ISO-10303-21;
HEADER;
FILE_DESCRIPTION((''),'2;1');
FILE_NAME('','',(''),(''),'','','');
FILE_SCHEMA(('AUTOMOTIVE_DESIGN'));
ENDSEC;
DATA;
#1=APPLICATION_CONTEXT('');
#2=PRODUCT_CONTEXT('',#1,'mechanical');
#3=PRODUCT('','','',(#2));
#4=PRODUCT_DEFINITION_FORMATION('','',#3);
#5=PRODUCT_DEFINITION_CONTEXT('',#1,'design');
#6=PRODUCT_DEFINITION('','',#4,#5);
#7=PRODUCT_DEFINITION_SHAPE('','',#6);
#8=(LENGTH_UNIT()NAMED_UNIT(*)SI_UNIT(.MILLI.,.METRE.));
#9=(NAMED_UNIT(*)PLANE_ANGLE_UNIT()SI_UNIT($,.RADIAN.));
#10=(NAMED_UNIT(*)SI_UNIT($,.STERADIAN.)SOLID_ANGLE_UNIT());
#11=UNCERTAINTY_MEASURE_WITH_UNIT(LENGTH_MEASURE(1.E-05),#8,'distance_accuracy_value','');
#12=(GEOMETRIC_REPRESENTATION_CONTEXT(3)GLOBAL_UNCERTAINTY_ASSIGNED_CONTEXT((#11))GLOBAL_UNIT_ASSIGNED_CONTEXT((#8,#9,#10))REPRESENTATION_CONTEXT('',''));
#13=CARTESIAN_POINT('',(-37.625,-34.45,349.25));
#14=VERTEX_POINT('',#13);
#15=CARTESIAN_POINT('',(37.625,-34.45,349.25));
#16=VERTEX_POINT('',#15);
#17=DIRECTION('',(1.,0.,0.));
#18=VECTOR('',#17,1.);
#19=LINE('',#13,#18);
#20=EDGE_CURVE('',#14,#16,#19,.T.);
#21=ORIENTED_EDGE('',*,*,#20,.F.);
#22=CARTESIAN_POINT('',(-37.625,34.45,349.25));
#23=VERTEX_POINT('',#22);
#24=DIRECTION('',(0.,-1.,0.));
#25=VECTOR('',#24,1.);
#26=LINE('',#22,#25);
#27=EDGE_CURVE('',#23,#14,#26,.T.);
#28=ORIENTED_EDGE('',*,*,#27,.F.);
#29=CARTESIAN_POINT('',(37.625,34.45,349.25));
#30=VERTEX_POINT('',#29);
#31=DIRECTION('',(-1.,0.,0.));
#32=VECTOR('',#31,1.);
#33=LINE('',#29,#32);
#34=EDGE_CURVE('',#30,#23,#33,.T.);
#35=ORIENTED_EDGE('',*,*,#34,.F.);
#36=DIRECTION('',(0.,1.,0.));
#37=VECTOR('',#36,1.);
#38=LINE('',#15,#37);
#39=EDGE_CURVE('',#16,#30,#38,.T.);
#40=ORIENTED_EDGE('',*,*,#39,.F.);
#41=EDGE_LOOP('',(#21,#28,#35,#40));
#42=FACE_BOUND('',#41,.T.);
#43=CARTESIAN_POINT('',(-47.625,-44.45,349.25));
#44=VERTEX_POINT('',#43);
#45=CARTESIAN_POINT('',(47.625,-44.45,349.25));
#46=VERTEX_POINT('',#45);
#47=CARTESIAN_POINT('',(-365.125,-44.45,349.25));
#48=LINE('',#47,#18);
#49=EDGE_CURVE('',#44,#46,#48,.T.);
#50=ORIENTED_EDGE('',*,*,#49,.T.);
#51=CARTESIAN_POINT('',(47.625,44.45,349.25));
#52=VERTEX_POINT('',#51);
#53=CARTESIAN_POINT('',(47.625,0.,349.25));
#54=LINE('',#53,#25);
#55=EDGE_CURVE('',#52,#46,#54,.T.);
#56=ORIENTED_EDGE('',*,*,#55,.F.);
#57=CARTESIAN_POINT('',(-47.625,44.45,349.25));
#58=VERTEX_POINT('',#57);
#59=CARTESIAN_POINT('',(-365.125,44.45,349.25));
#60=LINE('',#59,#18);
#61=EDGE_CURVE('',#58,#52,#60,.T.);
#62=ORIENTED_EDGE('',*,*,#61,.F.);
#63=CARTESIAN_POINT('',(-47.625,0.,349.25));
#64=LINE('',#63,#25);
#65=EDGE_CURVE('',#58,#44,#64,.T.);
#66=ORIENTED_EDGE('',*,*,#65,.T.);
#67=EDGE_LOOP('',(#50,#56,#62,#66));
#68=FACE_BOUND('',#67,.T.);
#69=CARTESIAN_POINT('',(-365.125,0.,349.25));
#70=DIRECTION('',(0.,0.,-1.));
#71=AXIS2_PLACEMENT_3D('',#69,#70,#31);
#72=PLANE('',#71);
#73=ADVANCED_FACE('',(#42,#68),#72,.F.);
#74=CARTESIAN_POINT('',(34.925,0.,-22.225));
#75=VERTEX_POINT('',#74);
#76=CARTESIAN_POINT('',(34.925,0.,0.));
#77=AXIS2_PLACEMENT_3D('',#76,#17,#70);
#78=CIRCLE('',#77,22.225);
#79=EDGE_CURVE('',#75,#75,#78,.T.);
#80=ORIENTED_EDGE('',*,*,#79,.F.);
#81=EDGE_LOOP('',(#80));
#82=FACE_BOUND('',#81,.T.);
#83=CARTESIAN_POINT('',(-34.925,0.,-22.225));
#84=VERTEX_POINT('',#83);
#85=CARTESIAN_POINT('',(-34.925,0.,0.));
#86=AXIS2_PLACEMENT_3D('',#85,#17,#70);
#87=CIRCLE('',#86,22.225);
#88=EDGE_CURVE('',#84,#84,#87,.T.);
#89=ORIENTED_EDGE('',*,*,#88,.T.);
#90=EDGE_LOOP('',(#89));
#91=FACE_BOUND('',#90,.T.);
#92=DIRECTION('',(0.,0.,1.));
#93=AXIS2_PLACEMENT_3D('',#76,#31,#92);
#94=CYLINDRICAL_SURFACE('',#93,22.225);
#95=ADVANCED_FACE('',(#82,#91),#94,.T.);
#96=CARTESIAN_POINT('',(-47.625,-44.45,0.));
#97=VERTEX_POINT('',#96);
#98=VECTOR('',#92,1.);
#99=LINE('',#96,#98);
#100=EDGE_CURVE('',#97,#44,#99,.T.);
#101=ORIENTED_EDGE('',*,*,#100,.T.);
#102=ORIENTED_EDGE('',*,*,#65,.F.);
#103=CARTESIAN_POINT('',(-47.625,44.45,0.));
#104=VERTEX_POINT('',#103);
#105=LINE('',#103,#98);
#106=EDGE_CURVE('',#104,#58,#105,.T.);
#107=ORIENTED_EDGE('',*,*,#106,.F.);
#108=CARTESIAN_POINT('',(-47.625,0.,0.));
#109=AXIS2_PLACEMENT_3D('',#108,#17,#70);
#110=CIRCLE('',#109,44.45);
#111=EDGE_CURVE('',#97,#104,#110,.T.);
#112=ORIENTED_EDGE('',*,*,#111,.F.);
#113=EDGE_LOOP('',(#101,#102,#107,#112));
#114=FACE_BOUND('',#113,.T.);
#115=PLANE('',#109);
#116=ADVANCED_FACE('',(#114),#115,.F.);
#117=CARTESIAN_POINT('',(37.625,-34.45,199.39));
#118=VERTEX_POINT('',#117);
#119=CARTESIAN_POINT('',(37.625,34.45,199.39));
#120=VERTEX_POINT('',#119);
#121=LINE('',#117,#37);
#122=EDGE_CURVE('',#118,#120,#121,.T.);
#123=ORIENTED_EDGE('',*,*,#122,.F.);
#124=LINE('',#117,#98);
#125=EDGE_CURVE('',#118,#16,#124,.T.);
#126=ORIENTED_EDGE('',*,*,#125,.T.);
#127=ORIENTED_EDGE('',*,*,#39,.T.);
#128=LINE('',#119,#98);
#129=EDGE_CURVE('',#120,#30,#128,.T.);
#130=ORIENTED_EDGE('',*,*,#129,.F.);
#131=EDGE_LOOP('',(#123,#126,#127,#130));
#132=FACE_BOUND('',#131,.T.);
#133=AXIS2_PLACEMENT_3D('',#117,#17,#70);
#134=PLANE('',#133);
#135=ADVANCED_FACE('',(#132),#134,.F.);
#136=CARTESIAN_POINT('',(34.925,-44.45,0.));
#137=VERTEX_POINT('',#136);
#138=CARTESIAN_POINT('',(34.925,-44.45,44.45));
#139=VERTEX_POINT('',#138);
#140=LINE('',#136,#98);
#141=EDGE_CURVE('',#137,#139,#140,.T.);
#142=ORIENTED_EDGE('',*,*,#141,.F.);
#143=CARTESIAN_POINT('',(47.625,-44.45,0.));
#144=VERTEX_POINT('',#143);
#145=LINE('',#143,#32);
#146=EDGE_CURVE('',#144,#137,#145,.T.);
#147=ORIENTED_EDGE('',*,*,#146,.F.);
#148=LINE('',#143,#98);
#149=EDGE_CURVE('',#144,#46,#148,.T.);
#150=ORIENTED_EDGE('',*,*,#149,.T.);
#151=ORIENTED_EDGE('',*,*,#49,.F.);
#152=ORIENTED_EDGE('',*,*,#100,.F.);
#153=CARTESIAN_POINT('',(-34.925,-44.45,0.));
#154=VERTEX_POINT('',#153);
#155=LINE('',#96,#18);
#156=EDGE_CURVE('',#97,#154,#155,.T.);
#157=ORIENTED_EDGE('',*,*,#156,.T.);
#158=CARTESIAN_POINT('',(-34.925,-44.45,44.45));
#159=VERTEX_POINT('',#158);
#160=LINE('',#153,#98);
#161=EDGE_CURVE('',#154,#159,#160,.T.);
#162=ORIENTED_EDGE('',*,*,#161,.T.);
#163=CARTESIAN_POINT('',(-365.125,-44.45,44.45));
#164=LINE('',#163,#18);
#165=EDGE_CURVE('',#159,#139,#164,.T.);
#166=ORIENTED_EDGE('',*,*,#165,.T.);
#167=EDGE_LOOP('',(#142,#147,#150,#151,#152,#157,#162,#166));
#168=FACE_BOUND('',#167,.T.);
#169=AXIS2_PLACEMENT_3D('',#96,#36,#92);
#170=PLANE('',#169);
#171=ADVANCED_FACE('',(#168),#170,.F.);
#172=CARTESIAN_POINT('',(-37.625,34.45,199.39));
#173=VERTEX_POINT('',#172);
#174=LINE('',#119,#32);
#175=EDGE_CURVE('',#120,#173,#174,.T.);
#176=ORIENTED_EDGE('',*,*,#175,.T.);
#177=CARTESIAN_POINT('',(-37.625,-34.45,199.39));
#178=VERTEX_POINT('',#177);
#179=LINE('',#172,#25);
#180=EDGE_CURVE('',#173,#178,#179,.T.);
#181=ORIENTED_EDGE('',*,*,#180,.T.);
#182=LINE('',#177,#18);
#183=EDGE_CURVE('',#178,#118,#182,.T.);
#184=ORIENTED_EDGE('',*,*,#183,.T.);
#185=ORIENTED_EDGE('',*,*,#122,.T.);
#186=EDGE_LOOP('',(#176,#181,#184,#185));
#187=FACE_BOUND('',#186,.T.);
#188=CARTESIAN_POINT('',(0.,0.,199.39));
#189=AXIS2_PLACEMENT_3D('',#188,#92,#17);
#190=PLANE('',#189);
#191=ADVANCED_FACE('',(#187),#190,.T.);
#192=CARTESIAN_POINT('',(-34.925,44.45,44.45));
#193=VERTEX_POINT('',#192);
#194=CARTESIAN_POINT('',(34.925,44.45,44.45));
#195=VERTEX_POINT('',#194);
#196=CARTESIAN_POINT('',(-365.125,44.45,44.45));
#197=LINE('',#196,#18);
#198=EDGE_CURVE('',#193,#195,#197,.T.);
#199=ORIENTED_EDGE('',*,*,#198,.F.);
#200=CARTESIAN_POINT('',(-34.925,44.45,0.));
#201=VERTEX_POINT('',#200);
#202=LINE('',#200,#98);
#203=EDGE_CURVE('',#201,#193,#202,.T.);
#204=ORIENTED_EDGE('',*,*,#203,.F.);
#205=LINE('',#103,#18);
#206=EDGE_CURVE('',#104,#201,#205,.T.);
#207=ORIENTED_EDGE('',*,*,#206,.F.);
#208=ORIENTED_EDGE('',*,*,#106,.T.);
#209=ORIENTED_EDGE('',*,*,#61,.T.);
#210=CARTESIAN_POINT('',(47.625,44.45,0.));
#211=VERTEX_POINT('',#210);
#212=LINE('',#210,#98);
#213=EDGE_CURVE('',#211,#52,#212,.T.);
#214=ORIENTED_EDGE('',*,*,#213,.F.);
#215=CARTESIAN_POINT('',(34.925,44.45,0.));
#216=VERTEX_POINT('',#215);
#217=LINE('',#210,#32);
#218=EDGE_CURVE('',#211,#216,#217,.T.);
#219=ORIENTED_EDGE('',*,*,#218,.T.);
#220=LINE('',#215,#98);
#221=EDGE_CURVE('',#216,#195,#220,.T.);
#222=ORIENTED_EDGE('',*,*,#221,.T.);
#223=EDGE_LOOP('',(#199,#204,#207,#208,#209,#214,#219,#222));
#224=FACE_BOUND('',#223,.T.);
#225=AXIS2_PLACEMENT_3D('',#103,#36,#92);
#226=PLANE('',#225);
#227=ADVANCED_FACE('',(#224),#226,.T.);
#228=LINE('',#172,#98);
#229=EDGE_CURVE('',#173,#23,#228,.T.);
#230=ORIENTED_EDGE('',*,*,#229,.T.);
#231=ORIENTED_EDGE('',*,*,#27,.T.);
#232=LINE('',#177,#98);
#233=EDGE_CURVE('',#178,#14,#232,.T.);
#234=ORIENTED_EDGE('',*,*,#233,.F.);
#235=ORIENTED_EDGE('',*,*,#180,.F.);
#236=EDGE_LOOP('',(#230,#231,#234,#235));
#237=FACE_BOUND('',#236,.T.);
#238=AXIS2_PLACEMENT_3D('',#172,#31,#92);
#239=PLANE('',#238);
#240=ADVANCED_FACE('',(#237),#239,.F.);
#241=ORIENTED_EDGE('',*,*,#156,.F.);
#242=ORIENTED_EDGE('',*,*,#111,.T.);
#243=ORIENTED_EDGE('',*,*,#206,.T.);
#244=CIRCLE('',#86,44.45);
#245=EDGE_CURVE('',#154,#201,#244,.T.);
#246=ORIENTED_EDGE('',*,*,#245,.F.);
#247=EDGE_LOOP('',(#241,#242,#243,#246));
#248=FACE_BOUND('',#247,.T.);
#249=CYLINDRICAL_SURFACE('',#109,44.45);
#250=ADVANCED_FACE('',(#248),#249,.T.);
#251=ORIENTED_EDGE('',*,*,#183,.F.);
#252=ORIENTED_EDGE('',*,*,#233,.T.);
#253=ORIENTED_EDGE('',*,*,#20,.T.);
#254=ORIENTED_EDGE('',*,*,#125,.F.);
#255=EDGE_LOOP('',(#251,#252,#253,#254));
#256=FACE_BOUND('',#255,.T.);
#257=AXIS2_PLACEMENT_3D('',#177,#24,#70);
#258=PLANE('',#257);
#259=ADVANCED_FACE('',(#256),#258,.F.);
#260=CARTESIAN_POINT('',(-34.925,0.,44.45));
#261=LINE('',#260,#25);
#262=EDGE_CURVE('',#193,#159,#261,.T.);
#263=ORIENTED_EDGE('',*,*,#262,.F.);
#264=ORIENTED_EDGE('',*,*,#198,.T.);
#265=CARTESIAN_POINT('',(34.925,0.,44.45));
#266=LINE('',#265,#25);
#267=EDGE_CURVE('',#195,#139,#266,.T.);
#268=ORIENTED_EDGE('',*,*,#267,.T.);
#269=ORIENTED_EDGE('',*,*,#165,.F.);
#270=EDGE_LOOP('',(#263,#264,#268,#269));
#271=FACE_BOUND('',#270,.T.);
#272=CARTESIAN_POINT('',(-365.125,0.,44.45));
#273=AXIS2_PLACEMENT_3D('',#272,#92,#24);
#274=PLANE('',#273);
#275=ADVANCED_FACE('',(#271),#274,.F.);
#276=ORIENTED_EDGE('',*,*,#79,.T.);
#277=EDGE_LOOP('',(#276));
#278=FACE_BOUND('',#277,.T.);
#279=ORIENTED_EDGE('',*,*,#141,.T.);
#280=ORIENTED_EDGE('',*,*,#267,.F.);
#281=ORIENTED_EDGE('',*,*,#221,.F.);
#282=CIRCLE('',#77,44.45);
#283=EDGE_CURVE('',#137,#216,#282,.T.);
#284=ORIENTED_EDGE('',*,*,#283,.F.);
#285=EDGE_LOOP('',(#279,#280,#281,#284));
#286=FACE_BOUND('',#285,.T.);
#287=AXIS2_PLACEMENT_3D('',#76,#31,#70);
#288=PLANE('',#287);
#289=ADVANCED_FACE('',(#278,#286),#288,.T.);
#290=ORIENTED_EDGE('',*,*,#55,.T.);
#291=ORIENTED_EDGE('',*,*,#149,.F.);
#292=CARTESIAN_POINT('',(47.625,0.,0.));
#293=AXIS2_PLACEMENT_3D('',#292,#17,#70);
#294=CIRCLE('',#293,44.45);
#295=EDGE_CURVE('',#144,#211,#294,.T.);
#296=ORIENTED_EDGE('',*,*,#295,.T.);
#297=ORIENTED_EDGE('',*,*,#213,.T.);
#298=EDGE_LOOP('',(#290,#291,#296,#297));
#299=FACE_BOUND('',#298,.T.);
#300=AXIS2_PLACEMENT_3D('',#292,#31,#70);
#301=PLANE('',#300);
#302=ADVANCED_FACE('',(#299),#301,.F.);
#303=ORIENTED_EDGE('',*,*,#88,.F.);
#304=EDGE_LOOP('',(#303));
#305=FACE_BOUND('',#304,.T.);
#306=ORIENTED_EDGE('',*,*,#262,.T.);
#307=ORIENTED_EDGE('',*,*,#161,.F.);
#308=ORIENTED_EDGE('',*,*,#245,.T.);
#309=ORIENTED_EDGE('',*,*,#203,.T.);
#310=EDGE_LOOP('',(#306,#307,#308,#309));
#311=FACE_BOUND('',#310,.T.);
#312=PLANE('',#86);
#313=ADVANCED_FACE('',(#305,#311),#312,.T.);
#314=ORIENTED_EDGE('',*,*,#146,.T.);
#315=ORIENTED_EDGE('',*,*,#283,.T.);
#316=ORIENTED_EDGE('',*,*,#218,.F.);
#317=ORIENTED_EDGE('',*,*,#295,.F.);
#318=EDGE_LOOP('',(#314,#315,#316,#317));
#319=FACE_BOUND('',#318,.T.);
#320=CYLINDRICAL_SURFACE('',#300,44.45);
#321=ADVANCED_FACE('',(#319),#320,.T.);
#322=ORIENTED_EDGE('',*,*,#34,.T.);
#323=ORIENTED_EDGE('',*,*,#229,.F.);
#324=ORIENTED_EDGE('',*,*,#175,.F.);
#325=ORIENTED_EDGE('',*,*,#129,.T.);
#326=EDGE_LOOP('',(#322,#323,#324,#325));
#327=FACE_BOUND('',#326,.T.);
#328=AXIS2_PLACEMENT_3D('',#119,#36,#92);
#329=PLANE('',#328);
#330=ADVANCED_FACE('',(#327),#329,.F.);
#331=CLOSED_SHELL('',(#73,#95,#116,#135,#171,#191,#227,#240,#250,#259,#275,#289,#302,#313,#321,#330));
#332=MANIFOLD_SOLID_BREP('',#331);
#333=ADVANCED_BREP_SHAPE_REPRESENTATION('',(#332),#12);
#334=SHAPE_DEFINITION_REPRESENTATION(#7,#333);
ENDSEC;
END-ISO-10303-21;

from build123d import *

# Parameters (mm, degrees)
SKETCH1_R           = 22.225
BOSS_EXTRUDE1_DEPTH = 34.925
BOSS_EXTRUDE2_START = -34.925
BOSS_EXTRUDE2_DEPTH = 12.7
SKETCH2_3_W         = 304.8
SKETCH2_3_H         = 88.9
BOSS_EXTRUDE3_DEPTH = 47.625
SKETCH3_W           = 75.25
SKETCH3_H           = 68.9
CUT_EXTRUDE1_DEPTH  = 149.86


with BuildPart() as part:
    # Sketch1 → Boss-Extrude1 (new, symmetric)
    with BuildSketch(Plane(origin=(0, 0, 0), x_dir=(0, 0, -1), z_dir=(1, 0, 0))):
        Circle(SKETCH1_R)
    extrude(amount=BOSS_EXTRUDE1_DEPTH, both=True)

    # Sketch2 → Boss-Extrude2 (add)
    with BuildSketch(Plane(origin=(0, 0, 0), x_dir=(0, 0, -1), z_dir=(1, 0, 0)).offset(BOSS_EXTRUDE2_START)):
        with BuildLine():
            Line((0, 44.45), (-44.45, 44.45))
            Line((-44.45, 44.45), (-44.45, -44.45))
            Line((-44.45, -44.45), (0, -44.45))
            ThreePointArc((0, -44.45), (44.45, 0), (0, 44.45))
        make_face()
    extrude(amount=-BOSS_EXTRUDE2_DEPTH)

    # Sketch2<3> → Boss-Extrude3 (add)
    with BuildSketch(Plane(origin=(0, 0, 0), x_dir=(0, 0, -1), z_dir=(1, 0, 0))):
        with Locations((-196.85, 0)):
            Rectangle(SKETCH2_3_W, SKETCH2_3_H)
    extrude(amount=-BOSS_EXTRUDE3_DEPTH)

    # Mirror6: part across plane


with BuildPart() as part_1:
    add(part.part)
    add(part.part.mirror(Plane(origin=(0, 0, 0), x_dir=(0, 0, 1), z_dir=(1, 0, 0))))

    # Sketch3 → Cut-Extrude1 (cut)
    with BuildSketch(Plane.XY.offset(349.25)):
        Rectangle(SKETCH3_W, SKETCH3_H)
    extrude(amount=-CUT_EXTRUDE1_DEPTH, mode=Mode.SUBTRACT)


solid = part_1.part
